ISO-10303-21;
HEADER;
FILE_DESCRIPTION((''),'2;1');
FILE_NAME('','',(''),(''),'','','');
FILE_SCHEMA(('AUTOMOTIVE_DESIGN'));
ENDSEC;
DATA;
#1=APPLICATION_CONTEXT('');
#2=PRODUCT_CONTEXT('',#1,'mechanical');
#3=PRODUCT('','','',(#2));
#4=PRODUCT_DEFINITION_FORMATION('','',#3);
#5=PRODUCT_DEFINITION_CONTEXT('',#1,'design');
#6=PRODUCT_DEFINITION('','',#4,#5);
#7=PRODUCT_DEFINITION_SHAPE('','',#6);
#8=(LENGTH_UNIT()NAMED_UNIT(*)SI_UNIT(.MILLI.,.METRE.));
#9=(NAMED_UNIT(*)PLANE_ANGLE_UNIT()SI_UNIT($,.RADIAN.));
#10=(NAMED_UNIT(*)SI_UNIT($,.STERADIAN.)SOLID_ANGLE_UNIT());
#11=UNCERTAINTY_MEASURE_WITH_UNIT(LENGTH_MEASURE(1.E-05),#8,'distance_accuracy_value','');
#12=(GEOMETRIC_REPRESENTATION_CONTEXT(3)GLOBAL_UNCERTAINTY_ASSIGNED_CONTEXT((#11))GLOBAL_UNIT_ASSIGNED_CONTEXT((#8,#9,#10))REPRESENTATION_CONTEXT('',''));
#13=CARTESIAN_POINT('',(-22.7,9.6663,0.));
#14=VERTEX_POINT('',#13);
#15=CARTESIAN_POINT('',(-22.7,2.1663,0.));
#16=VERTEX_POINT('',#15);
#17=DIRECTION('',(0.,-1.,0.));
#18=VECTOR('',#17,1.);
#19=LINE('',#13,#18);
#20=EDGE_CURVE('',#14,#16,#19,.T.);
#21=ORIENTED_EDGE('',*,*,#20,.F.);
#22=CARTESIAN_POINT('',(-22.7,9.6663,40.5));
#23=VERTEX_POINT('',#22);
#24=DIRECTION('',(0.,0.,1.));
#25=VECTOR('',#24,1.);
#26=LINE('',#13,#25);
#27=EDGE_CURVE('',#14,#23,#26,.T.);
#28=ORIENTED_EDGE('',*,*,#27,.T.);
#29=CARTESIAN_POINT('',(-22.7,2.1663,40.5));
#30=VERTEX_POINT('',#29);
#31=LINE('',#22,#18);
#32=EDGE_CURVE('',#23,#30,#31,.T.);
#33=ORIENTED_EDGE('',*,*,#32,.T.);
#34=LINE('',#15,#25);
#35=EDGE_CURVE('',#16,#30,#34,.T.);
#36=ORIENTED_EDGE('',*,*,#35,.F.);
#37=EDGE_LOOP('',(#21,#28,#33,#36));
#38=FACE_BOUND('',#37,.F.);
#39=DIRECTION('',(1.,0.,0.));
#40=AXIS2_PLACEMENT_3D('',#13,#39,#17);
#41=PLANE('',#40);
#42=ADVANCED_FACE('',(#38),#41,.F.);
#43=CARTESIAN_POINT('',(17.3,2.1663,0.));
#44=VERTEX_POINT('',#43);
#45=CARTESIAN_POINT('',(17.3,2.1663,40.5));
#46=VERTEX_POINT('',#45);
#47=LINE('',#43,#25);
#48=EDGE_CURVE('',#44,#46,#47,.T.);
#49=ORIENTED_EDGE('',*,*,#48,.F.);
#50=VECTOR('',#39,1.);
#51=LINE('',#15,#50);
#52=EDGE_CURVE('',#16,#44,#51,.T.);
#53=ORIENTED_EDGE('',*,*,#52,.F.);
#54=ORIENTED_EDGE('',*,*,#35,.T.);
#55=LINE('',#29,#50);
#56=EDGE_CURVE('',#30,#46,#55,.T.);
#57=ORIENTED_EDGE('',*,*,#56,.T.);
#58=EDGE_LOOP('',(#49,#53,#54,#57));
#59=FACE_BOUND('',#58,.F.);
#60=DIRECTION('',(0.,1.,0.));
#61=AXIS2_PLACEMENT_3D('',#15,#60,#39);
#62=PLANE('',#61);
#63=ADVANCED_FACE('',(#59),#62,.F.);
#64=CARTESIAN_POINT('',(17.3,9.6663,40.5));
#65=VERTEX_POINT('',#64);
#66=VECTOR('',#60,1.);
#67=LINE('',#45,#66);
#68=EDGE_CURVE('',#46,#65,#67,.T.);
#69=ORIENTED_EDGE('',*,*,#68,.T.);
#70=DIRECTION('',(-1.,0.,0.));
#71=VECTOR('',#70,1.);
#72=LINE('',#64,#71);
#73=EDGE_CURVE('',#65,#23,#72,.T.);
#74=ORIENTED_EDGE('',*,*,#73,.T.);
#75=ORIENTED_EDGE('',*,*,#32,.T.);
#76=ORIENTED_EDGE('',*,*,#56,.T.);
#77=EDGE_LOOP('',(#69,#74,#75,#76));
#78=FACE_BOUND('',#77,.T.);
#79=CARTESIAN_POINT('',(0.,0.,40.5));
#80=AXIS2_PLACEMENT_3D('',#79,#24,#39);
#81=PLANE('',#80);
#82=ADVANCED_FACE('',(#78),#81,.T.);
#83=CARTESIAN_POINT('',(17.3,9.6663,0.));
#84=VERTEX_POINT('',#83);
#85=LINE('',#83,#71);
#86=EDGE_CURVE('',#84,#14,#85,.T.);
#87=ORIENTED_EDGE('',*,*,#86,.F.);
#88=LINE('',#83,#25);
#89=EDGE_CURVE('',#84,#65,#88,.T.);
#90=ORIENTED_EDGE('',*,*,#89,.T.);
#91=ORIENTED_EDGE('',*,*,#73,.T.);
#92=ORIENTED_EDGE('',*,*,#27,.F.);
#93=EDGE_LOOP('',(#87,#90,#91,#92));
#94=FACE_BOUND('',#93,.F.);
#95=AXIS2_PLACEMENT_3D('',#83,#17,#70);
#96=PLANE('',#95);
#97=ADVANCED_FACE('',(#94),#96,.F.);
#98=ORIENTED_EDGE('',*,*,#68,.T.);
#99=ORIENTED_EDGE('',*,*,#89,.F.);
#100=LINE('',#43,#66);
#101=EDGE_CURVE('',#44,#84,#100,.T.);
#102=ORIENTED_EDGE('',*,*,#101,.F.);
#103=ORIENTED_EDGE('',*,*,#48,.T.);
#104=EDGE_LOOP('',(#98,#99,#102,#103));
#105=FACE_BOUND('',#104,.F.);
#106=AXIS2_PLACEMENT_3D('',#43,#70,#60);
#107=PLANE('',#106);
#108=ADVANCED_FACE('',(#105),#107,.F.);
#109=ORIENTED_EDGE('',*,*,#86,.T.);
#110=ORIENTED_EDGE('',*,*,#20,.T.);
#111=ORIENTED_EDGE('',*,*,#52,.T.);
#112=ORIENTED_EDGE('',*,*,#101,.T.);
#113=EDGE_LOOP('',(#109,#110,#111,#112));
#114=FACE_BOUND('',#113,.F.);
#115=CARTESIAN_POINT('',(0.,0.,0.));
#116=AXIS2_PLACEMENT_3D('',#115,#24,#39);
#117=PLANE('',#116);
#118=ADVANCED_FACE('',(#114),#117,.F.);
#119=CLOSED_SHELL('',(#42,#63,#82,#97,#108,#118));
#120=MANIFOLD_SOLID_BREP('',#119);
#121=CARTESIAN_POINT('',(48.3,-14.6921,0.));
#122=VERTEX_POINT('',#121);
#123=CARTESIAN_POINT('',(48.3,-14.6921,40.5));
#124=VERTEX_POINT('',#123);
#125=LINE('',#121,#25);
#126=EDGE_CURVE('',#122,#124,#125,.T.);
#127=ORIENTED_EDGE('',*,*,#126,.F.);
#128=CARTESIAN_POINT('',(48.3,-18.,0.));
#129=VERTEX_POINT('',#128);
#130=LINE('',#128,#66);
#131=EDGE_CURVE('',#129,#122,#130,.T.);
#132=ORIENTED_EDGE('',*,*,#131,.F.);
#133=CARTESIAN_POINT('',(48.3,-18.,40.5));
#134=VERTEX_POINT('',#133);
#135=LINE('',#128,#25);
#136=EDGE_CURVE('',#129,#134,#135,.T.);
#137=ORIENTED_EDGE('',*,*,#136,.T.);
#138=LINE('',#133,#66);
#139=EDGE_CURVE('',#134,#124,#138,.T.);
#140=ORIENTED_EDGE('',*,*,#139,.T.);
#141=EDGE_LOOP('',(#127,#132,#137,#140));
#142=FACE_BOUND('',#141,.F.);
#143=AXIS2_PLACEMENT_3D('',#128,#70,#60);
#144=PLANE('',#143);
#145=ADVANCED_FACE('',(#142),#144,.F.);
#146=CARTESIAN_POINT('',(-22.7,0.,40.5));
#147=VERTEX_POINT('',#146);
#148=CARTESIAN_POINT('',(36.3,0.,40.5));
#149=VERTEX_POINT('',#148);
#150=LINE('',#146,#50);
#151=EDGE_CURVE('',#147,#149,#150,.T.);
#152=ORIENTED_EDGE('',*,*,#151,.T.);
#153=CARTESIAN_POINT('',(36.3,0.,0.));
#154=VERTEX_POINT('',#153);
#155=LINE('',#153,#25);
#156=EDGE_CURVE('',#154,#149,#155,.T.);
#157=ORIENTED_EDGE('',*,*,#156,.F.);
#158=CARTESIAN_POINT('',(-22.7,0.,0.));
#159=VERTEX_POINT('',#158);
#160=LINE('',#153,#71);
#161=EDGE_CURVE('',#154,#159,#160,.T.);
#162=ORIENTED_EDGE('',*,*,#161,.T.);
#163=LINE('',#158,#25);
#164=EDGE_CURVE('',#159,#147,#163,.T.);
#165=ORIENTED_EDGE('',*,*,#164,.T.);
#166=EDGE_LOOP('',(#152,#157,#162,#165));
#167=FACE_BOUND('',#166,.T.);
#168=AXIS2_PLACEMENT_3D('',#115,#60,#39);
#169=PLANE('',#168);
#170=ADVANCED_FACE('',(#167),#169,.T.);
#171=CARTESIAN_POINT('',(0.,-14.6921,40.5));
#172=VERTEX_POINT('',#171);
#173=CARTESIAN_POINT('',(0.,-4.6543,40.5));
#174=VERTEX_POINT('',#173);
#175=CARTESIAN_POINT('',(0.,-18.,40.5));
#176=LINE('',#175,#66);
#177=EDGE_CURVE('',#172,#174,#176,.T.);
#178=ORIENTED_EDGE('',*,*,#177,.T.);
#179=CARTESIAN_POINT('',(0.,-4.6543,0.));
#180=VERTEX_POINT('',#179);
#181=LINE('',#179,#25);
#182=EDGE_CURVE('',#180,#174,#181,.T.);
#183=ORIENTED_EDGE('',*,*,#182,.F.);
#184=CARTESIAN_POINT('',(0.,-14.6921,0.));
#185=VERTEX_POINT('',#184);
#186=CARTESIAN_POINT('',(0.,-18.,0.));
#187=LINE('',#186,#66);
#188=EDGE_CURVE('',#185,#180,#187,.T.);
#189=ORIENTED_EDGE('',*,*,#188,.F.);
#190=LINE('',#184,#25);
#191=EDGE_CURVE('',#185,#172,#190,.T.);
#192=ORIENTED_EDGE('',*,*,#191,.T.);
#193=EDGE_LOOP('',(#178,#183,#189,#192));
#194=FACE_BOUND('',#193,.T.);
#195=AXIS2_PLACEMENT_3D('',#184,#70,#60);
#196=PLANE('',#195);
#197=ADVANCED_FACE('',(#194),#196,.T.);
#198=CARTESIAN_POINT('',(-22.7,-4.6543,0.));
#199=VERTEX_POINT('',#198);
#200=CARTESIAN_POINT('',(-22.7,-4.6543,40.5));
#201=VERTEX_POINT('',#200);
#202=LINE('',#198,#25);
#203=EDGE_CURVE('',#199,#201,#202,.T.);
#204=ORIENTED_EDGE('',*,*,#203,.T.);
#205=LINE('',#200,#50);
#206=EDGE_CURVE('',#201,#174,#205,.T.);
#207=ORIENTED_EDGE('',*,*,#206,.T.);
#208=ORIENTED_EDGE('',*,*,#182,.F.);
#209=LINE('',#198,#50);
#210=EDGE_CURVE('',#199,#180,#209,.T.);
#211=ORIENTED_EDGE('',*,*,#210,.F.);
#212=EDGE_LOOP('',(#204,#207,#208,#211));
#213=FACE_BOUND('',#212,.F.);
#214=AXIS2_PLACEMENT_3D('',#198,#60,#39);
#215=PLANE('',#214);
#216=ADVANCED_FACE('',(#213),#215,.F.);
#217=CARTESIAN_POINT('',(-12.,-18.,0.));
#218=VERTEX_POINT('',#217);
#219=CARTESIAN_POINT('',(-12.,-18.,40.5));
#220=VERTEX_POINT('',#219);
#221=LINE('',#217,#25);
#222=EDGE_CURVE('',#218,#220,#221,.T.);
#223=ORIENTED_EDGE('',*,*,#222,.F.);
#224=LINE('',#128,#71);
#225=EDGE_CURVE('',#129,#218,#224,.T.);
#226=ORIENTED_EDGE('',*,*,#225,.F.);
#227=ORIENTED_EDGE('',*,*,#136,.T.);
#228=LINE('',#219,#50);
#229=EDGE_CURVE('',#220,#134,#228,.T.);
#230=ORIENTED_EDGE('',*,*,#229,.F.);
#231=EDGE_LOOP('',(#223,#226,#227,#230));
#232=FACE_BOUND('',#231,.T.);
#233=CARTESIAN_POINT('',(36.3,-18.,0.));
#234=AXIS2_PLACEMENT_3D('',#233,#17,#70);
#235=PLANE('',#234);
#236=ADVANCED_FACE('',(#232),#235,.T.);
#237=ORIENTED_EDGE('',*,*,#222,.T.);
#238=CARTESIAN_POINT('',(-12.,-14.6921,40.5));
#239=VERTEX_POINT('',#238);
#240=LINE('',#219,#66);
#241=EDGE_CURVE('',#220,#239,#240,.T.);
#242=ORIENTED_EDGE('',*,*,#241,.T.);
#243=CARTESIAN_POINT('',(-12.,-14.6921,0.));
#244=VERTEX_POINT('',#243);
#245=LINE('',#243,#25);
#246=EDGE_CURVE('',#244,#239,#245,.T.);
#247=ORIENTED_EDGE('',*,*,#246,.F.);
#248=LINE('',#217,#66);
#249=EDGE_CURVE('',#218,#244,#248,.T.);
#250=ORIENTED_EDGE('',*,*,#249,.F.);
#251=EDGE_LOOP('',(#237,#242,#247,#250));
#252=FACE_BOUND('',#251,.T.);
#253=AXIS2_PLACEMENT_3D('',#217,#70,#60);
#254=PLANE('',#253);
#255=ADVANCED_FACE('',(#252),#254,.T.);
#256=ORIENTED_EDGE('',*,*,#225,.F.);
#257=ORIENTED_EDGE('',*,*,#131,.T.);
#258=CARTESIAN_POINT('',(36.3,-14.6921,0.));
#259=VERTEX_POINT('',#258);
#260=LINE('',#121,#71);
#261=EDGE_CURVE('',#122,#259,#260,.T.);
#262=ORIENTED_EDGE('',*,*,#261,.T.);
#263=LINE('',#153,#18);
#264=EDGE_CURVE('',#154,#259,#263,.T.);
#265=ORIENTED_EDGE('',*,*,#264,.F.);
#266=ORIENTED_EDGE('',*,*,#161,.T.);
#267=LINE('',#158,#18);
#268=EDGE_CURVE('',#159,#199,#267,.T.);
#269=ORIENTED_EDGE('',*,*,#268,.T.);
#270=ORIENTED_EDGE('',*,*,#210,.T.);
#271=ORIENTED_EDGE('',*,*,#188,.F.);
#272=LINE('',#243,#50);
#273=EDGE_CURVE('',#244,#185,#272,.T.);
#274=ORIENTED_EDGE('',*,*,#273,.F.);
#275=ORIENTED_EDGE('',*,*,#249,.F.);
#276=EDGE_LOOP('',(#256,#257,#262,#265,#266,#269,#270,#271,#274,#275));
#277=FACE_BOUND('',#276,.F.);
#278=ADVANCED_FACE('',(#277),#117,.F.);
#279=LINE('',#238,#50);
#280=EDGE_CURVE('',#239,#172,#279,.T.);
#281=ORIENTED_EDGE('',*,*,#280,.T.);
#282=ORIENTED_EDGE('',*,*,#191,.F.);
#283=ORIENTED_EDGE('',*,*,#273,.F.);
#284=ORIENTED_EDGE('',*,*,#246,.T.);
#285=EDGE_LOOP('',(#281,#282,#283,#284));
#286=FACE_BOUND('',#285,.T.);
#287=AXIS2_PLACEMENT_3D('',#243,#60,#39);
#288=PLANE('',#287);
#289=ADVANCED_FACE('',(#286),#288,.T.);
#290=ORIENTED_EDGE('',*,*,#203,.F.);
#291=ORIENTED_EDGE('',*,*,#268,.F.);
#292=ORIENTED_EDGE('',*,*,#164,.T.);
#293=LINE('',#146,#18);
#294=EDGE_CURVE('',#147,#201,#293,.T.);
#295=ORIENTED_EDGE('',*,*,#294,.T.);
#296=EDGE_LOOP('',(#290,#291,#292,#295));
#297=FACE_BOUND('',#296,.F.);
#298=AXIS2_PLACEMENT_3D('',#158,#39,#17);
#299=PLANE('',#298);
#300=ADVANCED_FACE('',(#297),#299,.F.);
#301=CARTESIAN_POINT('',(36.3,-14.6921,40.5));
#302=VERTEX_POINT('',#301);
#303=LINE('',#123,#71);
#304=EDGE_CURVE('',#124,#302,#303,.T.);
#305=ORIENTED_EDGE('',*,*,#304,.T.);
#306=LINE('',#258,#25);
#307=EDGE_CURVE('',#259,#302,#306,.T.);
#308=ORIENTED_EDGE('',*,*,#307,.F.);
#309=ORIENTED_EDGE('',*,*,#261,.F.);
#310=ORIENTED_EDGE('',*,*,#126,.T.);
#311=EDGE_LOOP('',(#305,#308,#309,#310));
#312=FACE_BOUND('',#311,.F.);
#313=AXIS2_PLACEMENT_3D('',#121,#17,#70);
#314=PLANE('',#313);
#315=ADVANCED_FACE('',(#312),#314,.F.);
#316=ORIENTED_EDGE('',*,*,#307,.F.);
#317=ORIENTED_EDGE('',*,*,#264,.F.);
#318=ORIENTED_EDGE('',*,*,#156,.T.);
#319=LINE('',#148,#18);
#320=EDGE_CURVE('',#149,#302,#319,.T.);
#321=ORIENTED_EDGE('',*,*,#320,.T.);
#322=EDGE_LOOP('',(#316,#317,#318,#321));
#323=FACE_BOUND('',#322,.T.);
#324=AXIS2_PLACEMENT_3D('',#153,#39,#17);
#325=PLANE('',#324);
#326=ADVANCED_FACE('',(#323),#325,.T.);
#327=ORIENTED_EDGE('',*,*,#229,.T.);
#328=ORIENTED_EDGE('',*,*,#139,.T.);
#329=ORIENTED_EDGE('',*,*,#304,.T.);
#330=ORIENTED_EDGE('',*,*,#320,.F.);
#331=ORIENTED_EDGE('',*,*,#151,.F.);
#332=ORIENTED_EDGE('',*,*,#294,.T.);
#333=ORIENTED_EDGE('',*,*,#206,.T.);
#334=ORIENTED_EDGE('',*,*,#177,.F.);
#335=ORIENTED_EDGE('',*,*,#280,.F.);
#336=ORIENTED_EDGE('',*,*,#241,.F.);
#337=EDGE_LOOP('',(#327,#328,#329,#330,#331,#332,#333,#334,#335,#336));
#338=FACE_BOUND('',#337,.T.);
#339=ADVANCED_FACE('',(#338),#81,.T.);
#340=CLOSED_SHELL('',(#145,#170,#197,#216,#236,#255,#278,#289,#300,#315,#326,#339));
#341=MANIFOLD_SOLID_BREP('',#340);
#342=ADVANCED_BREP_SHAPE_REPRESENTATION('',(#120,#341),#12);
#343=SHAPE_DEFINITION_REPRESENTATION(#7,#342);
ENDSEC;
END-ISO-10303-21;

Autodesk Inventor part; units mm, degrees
ref_plane "YZ Plane" through (0, 0, 0) normal (1, 0, 0) x (0, 1, 0)
ref_plane "XZ Plane" through (0, 0, 0) normal (0, 1, 0) x (-1, 0, 0)
ref_plane "XY Plane" through (0, 0, 0) normal (0, 0, 1) x (1, 0, 0)
sketch "Sketch1" plane through (0, 0, 0) normal (0, 0, 1) x (1, 0, 0)
  line L0 (0, 0) -> (36.3, 0)
  line L1 (36.3, 0) -> (36.3, -18)
  line L2 (36.3, -18) -> (0, -18)
  line L3 (0, -18) -> (0, 0)
  line L4 (-22.7, 2.1663) -> (17.3, 2.1663)
  line L5 (17.3, 2.1663) -> (17.3, 9.6663)
  line L6 (17.3, 9.6663) -> (-22.7, 9.6663)
  line L7 (-22.7, 9.6663) -> (-22.7, 2.1663)
  line L8 (-22.7, -4.6543) -> (0, -4.6543)
  line L9 (0, -4.6543) -> (0, 0)
  line L10 (0, 0) -> (-22.7, 0)
  line L11 (-22.7, 0) -> (-22.7, -4.6543)
  line L12 (36.3, -18) -> (48.3, -18)
  line L13 (48.3, -18) -> (48.3, -14.6921)
  line L14 (48.3, -14.6921) -> (36.3, -14.6921)
  line L15 (36.3, -14.6921) -> (36.3, -18)
  line L16 (0, -18) -> (-12, -18)
  line L17 (-12, -18) -> (-12, -14.6921)
  line L18 (-12, -14.6921) -> (0, -14.6921)
  line L19 (0, -14.6921) -> (0, -18)
  dimension "d0" = 36.3
  dimension "d1" = 18
  dimension "d2" = 40
  dimension "d3" = 7.5
  dimension "d4" = 59
  dimension "d5" = 71
extrude "Extrusion1" add sketch "Sketch1" along normal blind 40.5
properties part number "TeensyBLENunchukBundle"
